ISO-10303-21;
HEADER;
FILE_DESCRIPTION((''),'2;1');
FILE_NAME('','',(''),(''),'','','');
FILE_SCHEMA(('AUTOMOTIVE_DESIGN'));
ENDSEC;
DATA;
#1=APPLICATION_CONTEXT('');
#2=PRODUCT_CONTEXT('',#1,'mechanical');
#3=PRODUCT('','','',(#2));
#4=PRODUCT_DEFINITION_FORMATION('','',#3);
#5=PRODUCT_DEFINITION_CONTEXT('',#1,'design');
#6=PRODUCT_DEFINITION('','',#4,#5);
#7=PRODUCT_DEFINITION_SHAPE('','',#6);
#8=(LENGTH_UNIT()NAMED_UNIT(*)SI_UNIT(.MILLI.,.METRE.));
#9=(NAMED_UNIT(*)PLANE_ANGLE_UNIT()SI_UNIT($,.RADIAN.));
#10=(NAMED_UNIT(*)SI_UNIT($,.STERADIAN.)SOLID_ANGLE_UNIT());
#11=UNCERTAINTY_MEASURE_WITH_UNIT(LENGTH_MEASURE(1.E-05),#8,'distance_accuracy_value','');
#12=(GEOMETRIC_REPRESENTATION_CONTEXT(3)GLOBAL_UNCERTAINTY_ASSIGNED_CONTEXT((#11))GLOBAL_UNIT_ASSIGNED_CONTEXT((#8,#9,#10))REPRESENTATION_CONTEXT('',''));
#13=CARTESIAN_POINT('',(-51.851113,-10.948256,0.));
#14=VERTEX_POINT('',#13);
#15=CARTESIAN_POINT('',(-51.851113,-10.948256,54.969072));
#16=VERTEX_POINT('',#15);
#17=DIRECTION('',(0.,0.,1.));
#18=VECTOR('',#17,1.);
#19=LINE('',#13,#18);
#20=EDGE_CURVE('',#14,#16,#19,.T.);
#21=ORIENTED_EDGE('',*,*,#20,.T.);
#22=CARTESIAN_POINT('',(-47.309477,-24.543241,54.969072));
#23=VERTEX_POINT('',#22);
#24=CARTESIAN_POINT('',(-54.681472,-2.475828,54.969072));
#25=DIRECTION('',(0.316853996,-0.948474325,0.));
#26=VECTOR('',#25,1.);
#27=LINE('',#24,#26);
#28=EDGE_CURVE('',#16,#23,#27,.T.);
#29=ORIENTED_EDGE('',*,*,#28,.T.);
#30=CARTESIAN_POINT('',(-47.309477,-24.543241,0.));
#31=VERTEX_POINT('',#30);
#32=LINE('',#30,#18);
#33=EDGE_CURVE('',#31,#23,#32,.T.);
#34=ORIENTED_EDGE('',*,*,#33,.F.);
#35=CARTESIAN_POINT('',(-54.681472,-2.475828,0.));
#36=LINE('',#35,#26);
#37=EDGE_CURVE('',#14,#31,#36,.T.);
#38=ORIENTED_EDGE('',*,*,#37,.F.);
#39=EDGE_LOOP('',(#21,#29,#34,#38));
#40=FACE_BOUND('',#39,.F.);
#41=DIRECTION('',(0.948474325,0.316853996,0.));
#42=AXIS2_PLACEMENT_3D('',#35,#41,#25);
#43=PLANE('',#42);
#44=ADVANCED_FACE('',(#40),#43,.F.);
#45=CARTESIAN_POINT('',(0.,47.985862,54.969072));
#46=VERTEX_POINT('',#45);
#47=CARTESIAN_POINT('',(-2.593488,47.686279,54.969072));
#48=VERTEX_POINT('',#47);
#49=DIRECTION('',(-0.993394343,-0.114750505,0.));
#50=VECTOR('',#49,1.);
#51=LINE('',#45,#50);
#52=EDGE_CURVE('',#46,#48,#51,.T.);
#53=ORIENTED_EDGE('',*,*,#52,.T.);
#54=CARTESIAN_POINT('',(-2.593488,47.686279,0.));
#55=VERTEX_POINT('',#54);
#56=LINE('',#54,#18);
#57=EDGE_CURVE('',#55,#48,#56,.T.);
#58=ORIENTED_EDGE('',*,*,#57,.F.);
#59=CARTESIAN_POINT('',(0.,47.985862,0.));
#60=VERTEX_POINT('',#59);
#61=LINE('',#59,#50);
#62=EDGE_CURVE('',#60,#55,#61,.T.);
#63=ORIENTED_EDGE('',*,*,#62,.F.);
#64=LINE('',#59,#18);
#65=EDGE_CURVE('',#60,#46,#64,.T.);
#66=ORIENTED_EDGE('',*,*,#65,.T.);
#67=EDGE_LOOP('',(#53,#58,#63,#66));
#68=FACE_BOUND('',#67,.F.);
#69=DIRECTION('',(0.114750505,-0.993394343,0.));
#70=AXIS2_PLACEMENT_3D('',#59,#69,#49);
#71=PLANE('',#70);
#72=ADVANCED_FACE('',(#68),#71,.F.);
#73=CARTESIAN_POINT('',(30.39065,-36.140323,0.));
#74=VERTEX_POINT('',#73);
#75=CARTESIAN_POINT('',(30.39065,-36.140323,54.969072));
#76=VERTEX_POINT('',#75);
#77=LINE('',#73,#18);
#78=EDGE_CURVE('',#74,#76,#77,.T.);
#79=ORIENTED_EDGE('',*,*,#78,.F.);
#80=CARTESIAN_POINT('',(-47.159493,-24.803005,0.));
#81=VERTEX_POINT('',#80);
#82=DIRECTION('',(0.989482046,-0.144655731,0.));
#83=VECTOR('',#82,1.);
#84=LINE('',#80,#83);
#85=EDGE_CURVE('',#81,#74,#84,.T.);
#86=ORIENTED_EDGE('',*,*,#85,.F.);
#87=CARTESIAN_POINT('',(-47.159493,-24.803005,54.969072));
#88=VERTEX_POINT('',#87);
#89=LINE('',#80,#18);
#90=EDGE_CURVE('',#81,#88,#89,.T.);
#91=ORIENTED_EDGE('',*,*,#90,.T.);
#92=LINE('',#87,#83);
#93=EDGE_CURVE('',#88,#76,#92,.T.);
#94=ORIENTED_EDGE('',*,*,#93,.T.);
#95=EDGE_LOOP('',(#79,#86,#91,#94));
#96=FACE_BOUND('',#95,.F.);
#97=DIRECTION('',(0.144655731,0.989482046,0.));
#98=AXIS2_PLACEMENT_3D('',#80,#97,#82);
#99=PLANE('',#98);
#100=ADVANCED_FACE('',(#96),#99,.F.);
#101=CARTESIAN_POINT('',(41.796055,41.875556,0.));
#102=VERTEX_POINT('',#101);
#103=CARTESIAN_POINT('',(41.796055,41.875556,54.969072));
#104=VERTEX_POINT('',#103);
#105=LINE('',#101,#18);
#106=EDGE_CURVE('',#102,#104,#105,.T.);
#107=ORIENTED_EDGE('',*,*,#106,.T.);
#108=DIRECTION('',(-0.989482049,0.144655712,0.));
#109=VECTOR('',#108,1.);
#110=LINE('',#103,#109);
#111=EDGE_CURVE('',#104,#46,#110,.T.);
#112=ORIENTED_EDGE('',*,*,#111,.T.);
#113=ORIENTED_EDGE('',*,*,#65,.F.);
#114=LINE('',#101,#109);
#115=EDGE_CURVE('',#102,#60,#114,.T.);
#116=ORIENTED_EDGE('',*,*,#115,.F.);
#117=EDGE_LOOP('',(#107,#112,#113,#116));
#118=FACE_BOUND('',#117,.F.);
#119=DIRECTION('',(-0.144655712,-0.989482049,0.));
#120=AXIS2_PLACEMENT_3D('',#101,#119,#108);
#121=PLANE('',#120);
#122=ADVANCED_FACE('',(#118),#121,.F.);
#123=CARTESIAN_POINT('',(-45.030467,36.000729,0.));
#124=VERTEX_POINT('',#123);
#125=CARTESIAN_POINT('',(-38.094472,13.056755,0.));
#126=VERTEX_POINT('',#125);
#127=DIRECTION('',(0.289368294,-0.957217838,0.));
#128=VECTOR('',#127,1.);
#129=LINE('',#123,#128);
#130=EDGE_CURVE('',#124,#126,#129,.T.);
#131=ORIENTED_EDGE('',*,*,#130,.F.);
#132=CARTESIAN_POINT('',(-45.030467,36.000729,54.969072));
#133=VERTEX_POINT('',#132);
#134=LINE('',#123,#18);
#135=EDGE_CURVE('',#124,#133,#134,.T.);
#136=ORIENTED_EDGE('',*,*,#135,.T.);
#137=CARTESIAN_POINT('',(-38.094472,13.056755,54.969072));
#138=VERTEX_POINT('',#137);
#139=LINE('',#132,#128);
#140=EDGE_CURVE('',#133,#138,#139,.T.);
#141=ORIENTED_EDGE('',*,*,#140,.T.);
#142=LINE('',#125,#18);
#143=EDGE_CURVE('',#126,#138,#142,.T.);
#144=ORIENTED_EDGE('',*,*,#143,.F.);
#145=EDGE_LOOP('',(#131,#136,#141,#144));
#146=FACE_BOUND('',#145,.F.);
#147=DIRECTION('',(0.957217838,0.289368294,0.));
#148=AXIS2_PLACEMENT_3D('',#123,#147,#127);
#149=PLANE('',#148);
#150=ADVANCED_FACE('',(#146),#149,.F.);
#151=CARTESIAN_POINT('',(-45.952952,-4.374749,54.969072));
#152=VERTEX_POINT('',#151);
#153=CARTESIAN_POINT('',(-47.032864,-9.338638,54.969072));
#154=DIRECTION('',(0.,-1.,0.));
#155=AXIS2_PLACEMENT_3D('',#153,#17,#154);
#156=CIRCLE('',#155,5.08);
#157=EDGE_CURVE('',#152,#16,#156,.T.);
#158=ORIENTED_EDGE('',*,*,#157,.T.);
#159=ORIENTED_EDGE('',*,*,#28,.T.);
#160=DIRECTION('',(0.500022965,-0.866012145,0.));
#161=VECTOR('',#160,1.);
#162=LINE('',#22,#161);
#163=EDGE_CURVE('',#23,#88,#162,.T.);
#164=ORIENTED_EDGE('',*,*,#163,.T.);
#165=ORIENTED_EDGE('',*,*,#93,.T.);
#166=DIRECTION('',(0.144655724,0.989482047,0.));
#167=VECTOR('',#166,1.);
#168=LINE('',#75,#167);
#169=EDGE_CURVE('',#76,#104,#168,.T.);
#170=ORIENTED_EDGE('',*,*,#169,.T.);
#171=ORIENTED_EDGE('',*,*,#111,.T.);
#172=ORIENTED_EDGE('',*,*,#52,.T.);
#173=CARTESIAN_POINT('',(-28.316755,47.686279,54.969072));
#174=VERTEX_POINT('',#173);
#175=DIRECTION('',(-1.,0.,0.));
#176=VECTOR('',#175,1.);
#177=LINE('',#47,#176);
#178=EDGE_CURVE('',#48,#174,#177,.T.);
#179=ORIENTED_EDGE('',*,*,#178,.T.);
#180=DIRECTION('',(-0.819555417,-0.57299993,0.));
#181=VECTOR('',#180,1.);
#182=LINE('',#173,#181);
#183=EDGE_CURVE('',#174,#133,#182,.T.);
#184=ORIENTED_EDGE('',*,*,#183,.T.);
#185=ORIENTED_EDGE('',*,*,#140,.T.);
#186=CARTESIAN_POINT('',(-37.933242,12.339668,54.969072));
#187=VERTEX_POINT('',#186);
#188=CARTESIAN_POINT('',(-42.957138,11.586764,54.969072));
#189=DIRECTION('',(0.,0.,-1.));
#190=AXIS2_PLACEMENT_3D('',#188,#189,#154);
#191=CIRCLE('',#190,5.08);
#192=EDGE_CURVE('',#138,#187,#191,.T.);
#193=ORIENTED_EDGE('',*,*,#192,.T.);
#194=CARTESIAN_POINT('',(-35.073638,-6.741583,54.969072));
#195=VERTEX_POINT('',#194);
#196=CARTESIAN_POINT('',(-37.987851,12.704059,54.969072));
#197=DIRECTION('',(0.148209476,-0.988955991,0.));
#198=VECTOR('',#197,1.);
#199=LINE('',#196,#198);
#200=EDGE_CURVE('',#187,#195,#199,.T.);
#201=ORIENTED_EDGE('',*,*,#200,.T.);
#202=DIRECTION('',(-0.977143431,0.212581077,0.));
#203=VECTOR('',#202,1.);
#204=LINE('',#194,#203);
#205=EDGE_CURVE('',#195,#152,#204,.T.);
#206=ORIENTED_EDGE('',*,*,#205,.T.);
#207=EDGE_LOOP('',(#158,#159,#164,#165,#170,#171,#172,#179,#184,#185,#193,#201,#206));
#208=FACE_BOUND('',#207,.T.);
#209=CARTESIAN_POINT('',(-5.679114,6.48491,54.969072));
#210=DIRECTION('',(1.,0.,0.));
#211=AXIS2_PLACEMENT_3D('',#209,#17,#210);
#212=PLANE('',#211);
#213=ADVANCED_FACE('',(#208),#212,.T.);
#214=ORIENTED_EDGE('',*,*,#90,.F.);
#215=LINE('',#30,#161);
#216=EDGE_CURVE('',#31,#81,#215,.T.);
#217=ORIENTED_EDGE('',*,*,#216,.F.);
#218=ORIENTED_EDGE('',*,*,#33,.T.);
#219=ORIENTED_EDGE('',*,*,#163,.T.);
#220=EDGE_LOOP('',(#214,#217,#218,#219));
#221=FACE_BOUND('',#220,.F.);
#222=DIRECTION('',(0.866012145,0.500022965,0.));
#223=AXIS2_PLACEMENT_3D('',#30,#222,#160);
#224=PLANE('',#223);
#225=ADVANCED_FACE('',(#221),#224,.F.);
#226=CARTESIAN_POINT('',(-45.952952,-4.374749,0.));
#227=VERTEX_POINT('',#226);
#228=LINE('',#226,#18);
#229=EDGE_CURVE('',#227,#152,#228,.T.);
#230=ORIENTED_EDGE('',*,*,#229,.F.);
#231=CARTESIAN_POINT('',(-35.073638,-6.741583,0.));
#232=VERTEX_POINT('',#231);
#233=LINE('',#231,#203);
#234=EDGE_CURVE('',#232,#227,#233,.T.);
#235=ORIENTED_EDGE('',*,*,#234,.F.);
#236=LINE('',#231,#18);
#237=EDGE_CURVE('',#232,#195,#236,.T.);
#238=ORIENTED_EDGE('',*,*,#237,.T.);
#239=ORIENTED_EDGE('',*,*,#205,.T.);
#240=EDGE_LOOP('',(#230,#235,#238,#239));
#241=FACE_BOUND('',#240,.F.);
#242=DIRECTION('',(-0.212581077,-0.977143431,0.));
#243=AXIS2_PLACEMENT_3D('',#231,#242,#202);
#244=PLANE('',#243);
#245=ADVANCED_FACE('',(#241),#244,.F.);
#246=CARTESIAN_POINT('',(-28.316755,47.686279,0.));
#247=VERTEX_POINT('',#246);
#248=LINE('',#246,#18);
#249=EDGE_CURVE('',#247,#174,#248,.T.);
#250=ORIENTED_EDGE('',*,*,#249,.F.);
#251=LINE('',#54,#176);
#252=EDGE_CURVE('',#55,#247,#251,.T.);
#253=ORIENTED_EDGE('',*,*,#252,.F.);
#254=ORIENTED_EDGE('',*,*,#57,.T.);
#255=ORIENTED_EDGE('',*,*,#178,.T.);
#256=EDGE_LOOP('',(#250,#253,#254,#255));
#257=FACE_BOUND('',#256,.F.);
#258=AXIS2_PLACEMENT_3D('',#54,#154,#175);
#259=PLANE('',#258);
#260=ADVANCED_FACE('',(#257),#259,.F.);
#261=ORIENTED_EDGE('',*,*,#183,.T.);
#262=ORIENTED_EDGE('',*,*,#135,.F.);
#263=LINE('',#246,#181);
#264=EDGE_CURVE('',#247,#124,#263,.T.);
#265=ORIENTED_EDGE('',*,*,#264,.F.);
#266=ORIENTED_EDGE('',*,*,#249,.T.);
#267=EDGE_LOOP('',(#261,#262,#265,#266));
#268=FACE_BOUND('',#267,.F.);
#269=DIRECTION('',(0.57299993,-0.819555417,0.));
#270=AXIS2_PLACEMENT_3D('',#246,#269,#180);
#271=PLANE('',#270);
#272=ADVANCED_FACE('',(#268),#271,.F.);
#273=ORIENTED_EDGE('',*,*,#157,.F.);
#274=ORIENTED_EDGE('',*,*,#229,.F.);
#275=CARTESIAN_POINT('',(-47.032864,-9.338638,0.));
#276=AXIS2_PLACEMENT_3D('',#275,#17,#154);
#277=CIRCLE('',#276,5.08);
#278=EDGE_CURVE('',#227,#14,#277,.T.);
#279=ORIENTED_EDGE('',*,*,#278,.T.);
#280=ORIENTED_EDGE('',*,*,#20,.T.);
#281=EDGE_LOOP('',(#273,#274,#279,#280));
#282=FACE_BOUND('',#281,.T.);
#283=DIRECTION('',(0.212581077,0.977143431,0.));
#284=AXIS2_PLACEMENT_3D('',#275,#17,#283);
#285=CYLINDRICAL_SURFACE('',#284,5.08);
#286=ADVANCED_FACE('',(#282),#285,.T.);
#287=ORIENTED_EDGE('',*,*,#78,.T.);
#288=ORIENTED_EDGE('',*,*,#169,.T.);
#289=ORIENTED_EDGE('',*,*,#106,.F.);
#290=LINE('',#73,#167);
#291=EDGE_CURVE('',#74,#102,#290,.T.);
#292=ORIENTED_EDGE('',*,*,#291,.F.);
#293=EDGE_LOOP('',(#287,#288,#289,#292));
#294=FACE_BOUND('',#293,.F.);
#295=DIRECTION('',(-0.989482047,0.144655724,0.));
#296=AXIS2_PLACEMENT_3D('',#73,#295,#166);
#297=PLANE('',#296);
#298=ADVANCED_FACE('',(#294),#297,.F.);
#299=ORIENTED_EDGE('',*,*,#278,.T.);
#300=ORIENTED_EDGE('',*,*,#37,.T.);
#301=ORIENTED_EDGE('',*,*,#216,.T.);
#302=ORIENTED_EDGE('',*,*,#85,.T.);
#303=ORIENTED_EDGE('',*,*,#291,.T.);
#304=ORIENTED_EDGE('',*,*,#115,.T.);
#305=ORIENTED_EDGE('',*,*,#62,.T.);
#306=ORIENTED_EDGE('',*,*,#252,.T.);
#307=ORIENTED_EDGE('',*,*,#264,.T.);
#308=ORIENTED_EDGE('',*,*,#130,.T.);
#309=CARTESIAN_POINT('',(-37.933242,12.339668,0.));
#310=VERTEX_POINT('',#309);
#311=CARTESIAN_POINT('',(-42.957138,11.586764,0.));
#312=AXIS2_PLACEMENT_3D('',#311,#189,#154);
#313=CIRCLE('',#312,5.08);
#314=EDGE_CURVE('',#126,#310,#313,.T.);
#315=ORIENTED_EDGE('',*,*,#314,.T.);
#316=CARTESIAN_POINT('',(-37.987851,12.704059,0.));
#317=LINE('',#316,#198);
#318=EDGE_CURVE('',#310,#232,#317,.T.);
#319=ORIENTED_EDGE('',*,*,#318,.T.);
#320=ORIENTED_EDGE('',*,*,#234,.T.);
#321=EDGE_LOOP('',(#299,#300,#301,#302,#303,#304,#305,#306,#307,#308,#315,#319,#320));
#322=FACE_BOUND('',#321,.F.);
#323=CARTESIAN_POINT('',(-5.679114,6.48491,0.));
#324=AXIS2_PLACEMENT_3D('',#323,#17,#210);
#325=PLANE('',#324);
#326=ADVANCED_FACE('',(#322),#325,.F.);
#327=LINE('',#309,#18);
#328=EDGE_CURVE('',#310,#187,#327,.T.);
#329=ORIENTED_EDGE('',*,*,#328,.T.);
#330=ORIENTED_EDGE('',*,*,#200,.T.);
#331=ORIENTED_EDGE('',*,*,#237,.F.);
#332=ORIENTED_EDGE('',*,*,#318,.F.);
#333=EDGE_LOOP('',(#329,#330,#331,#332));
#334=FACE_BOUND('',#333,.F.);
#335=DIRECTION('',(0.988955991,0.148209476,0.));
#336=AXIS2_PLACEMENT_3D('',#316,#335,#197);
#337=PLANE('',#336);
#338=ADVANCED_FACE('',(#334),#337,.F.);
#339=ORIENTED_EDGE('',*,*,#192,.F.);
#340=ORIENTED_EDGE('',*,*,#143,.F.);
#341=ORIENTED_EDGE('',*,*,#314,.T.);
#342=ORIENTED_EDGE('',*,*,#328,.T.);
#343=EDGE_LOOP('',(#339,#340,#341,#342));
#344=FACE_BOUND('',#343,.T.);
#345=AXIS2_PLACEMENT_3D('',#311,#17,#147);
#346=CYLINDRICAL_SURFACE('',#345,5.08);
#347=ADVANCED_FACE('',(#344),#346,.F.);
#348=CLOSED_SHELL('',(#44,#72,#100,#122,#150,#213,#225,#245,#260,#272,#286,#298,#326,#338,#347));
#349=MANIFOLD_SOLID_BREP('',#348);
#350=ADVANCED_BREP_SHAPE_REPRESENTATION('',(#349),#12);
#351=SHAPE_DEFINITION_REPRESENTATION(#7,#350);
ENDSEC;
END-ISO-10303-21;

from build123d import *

# Parameters (mm, degrees)
F1_DEPTH = 54.969072
F2_R     = 5.08


with BuildPart() as f1:
    # F0 (on Top) → F1 (new body)
    with BuildSketch(Plane.XY):
        Polygon((-47.309477, -24.543241), (-47.159493, -24.803005), (30.39065, -36.140323), (41.796055, 41.875556), (0, 47.985862), (-2.593488, 47.686279), (-28.316755, 47.686279), (-45.030467, 36.000729), (-37.987851, 12.704059), (-35.073638, -6.741583), (-54.681472, -2.475828), align=None)
    extrude(amount=F1_DEPTH)

    # F2
    f2_edges = [f1.edges().sort_by_distance(p)[0] for p in [
        (-37.987851, 12.704059, 27.484536),
        (-54.681472, -2.475828, 27.484536),
    ]]
    fillet(f2_edges, radius=F2_R)


solid = f1.part
